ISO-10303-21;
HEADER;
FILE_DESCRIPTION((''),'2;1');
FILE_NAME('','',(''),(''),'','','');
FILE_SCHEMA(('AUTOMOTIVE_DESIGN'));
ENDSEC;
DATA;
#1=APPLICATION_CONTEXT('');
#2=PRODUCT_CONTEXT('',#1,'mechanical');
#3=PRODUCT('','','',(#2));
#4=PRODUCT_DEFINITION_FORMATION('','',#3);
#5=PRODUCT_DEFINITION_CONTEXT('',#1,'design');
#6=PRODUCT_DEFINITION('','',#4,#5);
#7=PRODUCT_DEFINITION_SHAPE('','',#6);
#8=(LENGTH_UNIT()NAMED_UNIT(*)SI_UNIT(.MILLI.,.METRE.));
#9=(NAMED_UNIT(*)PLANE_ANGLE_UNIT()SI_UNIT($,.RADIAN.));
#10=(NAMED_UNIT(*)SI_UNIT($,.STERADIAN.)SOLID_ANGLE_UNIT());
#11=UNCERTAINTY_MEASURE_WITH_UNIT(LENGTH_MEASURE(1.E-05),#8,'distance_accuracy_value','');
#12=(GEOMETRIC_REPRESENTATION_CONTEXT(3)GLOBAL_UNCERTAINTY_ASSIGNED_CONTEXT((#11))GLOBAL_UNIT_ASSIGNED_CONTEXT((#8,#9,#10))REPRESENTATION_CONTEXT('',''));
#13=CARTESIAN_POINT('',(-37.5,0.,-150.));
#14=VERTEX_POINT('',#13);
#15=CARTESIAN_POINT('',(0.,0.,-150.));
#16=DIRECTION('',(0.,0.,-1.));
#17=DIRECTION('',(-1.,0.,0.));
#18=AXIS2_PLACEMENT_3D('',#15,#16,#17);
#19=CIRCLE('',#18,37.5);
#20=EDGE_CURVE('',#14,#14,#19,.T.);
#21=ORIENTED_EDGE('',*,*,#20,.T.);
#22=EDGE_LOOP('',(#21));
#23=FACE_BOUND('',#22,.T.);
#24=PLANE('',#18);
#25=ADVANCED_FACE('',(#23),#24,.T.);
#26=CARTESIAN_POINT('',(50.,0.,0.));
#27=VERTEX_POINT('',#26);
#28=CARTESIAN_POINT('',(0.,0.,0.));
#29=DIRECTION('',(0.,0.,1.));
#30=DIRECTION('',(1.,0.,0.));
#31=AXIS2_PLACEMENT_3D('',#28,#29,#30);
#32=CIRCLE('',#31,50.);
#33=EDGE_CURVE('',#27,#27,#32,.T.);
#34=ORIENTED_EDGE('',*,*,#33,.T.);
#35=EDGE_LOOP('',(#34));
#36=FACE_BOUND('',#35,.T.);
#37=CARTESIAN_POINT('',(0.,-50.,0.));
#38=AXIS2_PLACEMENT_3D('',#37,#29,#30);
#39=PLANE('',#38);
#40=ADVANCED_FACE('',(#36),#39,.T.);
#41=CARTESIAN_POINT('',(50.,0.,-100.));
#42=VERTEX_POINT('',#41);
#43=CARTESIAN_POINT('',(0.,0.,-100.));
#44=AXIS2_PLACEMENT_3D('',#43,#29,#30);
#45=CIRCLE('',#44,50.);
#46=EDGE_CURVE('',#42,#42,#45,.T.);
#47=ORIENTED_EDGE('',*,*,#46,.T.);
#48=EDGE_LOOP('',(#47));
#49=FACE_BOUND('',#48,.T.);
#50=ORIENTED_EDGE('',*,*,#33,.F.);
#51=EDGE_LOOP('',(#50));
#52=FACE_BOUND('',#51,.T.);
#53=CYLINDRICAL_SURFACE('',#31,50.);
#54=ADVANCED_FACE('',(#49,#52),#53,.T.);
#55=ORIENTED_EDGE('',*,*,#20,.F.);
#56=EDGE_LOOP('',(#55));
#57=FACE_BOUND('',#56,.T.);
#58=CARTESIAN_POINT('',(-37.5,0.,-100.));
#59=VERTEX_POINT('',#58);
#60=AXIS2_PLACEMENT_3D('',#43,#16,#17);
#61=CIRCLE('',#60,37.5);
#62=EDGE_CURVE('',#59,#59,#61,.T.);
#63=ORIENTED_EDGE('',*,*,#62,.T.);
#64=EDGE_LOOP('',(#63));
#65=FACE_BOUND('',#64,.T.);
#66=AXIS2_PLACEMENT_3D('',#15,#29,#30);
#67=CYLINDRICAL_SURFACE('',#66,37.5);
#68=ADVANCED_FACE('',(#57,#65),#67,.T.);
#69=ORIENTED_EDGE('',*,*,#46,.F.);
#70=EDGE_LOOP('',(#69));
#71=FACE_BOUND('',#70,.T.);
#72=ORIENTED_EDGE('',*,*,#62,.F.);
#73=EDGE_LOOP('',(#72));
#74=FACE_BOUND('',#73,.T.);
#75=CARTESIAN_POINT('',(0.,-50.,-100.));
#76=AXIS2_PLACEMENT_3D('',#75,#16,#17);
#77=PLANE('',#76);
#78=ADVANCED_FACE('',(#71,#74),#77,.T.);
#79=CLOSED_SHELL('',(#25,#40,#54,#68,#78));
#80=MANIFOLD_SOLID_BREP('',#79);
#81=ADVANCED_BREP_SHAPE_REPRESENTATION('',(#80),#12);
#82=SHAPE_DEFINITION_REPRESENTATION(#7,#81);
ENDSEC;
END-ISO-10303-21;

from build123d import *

# Parameters (mm, degrees)
SKETCH2_W           = 100
SKETCH2_H           = 50
SKETCH5_R           = 37.5
BOSS_EXTRUDE1_DEPTH = 50


with BuildPart() as part:
    # Sketch2 → Revolve1 (revolve)
    with BuildSketch(Plane(origin=(0, 0, 0), x_dir=(0, 0, -1), z_dir=(1, 0, 0)), mode=Mode.PRIVATE) as revolve1_sk:
        with Locations((50, -25)):
            Rectangle(SKETCH2_W, SKETCH2_H)
    revolve(revolve1_sk.sketch.rotate(Axis((0, 0, 0), (0, 0, -1)), 270), axis=Axis((0, 0, 0), (0, 0, -1)))

    # Sketch5 → Boss-Extrude1 (add)
    with BuildSketch(Plane(origin=(0, 0, -100), x_dir=(-1, 0, 0), z_dir=(0, 0, -1))):
        Circle(SKETCH5_R)
    extrude(amount=BOSS_EXTRUDE1_DEPTH)


solid = part.part
